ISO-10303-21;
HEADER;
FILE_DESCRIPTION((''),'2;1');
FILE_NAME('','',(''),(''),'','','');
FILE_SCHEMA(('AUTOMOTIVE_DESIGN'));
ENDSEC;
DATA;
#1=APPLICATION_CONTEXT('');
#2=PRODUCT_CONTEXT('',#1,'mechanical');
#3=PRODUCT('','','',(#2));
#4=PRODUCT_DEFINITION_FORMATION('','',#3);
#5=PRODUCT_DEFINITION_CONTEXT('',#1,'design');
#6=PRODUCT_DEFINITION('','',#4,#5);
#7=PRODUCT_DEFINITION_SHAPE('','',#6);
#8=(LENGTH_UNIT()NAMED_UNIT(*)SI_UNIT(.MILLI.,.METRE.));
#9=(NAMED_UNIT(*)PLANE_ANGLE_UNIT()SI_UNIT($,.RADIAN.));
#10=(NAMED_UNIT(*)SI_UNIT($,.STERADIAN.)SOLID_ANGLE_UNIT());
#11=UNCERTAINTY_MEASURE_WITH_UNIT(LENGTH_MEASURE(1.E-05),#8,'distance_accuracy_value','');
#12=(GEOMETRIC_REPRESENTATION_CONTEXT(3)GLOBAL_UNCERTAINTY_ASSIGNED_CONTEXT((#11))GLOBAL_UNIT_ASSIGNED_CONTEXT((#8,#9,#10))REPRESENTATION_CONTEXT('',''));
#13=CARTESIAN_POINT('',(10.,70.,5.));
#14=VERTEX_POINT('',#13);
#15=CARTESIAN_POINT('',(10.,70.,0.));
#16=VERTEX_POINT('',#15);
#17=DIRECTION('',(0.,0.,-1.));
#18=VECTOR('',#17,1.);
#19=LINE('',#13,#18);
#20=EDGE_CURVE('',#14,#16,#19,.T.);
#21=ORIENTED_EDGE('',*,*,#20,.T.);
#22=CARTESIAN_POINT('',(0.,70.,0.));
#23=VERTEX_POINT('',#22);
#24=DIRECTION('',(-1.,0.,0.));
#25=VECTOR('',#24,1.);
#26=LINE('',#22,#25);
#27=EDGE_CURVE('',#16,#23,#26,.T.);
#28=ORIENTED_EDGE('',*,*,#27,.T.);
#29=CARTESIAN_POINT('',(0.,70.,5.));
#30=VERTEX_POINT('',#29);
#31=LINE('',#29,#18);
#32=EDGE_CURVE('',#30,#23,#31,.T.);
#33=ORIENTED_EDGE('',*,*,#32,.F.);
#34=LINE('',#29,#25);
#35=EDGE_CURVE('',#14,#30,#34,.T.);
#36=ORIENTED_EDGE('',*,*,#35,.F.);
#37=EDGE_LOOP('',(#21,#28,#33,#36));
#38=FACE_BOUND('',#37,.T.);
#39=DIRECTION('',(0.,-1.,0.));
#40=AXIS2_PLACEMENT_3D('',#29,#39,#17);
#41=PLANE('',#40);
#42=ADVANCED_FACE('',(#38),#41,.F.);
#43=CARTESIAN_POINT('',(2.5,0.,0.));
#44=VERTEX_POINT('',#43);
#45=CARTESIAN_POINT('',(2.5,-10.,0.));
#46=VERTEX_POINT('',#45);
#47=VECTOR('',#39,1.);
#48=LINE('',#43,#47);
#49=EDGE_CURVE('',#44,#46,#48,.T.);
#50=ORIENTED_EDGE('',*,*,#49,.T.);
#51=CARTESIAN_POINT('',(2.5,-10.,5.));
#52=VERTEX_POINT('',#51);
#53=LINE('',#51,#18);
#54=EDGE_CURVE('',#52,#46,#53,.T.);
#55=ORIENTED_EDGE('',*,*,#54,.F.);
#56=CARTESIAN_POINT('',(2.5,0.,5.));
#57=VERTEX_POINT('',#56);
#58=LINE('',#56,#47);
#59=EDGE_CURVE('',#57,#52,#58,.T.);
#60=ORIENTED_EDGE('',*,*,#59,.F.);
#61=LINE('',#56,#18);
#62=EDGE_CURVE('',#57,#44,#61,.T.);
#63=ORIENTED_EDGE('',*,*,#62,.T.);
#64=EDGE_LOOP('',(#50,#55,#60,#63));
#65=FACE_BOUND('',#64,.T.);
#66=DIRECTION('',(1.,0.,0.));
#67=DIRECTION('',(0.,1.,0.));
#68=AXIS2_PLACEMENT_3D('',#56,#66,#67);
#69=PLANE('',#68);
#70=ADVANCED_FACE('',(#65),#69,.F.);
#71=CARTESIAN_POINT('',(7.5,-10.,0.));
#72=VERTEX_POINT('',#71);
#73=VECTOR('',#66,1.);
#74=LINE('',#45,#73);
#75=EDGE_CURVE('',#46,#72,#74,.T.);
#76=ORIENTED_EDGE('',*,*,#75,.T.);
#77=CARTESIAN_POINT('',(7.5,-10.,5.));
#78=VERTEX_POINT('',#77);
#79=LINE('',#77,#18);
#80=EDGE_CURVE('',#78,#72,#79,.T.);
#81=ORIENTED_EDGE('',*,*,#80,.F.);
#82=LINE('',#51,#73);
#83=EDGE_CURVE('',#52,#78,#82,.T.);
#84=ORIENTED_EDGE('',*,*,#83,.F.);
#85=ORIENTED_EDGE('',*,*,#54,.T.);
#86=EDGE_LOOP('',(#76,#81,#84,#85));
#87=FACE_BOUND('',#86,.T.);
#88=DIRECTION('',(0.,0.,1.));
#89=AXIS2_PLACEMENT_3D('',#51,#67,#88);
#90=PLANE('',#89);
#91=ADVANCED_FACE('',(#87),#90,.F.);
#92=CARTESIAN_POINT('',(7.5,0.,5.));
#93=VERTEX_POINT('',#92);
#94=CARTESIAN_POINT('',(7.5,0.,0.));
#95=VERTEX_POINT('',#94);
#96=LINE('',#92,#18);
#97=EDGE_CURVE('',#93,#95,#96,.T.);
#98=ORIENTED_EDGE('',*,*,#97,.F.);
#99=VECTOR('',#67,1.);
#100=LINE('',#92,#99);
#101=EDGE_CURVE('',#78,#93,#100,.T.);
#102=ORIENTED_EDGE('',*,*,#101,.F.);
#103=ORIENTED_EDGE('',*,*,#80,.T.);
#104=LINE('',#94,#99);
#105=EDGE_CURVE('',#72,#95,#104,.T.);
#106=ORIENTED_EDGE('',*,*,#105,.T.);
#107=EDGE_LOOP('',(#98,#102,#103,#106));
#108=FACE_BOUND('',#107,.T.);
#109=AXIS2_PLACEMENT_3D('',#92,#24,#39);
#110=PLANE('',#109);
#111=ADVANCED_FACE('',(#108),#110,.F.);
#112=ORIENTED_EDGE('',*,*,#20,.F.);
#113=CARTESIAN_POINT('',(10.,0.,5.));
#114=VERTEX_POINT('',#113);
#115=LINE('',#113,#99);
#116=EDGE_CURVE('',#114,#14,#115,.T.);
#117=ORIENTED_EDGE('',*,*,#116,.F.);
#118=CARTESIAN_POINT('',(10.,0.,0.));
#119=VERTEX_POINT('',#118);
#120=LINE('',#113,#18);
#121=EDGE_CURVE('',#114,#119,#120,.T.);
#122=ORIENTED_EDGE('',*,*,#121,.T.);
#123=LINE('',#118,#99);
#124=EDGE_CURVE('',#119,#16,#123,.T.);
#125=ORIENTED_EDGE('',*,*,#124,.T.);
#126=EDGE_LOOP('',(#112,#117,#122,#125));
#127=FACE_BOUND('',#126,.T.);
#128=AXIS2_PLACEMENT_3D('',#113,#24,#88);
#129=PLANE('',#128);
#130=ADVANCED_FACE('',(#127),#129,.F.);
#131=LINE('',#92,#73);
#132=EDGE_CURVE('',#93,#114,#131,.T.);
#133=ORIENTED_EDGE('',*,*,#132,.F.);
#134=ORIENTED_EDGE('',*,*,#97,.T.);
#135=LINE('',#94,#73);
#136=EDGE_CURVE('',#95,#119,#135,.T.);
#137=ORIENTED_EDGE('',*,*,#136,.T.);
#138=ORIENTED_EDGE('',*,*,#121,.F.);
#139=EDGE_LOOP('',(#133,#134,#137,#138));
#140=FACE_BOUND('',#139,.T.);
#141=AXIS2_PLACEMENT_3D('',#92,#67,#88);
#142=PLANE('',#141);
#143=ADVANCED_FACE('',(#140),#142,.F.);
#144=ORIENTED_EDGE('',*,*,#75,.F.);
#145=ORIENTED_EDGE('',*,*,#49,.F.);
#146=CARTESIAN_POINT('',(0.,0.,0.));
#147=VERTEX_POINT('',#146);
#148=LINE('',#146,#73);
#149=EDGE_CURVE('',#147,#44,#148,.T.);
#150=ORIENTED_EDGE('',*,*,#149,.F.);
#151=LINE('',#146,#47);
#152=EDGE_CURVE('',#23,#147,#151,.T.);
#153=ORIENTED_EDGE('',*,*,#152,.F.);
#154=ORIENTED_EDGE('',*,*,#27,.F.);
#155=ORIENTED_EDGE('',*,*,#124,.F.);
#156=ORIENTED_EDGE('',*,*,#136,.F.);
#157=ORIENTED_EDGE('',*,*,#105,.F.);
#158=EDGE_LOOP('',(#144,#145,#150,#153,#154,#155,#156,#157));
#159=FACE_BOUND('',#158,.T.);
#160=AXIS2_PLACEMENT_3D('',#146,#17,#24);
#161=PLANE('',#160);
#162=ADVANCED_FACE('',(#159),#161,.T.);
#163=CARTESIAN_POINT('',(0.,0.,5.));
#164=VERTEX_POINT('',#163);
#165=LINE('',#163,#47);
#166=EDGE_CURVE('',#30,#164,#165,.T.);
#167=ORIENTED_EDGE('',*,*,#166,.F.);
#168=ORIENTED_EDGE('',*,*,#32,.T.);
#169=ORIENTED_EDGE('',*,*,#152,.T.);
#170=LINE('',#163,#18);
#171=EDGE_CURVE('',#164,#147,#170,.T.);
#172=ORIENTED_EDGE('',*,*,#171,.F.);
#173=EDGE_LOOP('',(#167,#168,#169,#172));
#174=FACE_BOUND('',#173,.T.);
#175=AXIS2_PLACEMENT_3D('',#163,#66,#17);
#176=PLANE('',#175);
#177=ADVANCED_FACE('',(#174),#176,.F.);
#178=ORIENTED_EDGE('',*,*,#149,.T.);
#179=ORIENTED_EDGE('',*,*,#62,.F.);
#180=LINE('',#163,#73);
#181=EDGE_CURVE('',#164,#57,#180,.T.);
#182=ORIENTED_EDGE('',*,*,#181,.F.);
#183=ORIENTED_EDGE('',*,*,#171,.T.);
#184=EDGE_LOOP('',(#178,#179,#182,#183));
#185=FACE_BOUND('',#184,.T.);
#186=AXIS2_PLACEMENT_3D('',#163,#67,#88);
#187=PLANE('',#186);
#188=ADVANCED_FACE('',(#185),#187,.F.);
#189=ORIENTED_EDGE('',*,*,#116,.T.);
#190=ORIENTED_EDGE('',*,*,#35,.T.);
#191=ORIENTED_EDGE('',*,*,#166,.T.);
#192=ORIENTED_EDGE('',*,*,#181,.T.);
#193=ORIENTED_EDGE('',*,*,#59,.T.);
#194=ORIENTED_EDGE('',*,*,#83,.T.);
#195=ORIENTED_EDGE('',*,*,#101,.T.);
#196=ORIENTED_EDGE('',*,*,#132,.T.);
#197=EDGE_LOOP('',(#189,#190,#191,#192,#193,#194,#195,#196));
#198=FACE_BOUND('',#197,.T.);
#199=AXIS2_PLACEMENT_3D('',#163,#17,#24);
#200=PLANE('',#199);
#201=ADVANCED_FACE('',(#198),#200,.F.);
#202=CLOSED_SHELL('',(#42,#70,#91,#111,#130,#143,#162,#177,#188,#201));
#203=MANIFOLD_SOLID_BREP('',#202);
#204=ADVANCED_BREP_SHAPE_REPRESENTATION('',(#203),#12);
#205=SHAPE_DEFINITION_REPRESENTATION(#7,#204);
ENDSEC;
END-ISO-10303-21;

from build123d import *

# Parameters (mm, degrees)
BOSS_EXTRU_1_DEPTH = 5


with BuildPart() as part:
    # Esquisse1 → Boss.-Extru.1 (new body)
    with BuildSketch(Plane.XY):
        Polygon((7.5, 0), (10, 0), (10, 70), (0, 70), (0, 0), (2.5, 0), (2.5, -10), (7.5, -10), align=None)
    extrude(amount=BOSS_EXTRU_1_DEPTH)


solid = part.part
